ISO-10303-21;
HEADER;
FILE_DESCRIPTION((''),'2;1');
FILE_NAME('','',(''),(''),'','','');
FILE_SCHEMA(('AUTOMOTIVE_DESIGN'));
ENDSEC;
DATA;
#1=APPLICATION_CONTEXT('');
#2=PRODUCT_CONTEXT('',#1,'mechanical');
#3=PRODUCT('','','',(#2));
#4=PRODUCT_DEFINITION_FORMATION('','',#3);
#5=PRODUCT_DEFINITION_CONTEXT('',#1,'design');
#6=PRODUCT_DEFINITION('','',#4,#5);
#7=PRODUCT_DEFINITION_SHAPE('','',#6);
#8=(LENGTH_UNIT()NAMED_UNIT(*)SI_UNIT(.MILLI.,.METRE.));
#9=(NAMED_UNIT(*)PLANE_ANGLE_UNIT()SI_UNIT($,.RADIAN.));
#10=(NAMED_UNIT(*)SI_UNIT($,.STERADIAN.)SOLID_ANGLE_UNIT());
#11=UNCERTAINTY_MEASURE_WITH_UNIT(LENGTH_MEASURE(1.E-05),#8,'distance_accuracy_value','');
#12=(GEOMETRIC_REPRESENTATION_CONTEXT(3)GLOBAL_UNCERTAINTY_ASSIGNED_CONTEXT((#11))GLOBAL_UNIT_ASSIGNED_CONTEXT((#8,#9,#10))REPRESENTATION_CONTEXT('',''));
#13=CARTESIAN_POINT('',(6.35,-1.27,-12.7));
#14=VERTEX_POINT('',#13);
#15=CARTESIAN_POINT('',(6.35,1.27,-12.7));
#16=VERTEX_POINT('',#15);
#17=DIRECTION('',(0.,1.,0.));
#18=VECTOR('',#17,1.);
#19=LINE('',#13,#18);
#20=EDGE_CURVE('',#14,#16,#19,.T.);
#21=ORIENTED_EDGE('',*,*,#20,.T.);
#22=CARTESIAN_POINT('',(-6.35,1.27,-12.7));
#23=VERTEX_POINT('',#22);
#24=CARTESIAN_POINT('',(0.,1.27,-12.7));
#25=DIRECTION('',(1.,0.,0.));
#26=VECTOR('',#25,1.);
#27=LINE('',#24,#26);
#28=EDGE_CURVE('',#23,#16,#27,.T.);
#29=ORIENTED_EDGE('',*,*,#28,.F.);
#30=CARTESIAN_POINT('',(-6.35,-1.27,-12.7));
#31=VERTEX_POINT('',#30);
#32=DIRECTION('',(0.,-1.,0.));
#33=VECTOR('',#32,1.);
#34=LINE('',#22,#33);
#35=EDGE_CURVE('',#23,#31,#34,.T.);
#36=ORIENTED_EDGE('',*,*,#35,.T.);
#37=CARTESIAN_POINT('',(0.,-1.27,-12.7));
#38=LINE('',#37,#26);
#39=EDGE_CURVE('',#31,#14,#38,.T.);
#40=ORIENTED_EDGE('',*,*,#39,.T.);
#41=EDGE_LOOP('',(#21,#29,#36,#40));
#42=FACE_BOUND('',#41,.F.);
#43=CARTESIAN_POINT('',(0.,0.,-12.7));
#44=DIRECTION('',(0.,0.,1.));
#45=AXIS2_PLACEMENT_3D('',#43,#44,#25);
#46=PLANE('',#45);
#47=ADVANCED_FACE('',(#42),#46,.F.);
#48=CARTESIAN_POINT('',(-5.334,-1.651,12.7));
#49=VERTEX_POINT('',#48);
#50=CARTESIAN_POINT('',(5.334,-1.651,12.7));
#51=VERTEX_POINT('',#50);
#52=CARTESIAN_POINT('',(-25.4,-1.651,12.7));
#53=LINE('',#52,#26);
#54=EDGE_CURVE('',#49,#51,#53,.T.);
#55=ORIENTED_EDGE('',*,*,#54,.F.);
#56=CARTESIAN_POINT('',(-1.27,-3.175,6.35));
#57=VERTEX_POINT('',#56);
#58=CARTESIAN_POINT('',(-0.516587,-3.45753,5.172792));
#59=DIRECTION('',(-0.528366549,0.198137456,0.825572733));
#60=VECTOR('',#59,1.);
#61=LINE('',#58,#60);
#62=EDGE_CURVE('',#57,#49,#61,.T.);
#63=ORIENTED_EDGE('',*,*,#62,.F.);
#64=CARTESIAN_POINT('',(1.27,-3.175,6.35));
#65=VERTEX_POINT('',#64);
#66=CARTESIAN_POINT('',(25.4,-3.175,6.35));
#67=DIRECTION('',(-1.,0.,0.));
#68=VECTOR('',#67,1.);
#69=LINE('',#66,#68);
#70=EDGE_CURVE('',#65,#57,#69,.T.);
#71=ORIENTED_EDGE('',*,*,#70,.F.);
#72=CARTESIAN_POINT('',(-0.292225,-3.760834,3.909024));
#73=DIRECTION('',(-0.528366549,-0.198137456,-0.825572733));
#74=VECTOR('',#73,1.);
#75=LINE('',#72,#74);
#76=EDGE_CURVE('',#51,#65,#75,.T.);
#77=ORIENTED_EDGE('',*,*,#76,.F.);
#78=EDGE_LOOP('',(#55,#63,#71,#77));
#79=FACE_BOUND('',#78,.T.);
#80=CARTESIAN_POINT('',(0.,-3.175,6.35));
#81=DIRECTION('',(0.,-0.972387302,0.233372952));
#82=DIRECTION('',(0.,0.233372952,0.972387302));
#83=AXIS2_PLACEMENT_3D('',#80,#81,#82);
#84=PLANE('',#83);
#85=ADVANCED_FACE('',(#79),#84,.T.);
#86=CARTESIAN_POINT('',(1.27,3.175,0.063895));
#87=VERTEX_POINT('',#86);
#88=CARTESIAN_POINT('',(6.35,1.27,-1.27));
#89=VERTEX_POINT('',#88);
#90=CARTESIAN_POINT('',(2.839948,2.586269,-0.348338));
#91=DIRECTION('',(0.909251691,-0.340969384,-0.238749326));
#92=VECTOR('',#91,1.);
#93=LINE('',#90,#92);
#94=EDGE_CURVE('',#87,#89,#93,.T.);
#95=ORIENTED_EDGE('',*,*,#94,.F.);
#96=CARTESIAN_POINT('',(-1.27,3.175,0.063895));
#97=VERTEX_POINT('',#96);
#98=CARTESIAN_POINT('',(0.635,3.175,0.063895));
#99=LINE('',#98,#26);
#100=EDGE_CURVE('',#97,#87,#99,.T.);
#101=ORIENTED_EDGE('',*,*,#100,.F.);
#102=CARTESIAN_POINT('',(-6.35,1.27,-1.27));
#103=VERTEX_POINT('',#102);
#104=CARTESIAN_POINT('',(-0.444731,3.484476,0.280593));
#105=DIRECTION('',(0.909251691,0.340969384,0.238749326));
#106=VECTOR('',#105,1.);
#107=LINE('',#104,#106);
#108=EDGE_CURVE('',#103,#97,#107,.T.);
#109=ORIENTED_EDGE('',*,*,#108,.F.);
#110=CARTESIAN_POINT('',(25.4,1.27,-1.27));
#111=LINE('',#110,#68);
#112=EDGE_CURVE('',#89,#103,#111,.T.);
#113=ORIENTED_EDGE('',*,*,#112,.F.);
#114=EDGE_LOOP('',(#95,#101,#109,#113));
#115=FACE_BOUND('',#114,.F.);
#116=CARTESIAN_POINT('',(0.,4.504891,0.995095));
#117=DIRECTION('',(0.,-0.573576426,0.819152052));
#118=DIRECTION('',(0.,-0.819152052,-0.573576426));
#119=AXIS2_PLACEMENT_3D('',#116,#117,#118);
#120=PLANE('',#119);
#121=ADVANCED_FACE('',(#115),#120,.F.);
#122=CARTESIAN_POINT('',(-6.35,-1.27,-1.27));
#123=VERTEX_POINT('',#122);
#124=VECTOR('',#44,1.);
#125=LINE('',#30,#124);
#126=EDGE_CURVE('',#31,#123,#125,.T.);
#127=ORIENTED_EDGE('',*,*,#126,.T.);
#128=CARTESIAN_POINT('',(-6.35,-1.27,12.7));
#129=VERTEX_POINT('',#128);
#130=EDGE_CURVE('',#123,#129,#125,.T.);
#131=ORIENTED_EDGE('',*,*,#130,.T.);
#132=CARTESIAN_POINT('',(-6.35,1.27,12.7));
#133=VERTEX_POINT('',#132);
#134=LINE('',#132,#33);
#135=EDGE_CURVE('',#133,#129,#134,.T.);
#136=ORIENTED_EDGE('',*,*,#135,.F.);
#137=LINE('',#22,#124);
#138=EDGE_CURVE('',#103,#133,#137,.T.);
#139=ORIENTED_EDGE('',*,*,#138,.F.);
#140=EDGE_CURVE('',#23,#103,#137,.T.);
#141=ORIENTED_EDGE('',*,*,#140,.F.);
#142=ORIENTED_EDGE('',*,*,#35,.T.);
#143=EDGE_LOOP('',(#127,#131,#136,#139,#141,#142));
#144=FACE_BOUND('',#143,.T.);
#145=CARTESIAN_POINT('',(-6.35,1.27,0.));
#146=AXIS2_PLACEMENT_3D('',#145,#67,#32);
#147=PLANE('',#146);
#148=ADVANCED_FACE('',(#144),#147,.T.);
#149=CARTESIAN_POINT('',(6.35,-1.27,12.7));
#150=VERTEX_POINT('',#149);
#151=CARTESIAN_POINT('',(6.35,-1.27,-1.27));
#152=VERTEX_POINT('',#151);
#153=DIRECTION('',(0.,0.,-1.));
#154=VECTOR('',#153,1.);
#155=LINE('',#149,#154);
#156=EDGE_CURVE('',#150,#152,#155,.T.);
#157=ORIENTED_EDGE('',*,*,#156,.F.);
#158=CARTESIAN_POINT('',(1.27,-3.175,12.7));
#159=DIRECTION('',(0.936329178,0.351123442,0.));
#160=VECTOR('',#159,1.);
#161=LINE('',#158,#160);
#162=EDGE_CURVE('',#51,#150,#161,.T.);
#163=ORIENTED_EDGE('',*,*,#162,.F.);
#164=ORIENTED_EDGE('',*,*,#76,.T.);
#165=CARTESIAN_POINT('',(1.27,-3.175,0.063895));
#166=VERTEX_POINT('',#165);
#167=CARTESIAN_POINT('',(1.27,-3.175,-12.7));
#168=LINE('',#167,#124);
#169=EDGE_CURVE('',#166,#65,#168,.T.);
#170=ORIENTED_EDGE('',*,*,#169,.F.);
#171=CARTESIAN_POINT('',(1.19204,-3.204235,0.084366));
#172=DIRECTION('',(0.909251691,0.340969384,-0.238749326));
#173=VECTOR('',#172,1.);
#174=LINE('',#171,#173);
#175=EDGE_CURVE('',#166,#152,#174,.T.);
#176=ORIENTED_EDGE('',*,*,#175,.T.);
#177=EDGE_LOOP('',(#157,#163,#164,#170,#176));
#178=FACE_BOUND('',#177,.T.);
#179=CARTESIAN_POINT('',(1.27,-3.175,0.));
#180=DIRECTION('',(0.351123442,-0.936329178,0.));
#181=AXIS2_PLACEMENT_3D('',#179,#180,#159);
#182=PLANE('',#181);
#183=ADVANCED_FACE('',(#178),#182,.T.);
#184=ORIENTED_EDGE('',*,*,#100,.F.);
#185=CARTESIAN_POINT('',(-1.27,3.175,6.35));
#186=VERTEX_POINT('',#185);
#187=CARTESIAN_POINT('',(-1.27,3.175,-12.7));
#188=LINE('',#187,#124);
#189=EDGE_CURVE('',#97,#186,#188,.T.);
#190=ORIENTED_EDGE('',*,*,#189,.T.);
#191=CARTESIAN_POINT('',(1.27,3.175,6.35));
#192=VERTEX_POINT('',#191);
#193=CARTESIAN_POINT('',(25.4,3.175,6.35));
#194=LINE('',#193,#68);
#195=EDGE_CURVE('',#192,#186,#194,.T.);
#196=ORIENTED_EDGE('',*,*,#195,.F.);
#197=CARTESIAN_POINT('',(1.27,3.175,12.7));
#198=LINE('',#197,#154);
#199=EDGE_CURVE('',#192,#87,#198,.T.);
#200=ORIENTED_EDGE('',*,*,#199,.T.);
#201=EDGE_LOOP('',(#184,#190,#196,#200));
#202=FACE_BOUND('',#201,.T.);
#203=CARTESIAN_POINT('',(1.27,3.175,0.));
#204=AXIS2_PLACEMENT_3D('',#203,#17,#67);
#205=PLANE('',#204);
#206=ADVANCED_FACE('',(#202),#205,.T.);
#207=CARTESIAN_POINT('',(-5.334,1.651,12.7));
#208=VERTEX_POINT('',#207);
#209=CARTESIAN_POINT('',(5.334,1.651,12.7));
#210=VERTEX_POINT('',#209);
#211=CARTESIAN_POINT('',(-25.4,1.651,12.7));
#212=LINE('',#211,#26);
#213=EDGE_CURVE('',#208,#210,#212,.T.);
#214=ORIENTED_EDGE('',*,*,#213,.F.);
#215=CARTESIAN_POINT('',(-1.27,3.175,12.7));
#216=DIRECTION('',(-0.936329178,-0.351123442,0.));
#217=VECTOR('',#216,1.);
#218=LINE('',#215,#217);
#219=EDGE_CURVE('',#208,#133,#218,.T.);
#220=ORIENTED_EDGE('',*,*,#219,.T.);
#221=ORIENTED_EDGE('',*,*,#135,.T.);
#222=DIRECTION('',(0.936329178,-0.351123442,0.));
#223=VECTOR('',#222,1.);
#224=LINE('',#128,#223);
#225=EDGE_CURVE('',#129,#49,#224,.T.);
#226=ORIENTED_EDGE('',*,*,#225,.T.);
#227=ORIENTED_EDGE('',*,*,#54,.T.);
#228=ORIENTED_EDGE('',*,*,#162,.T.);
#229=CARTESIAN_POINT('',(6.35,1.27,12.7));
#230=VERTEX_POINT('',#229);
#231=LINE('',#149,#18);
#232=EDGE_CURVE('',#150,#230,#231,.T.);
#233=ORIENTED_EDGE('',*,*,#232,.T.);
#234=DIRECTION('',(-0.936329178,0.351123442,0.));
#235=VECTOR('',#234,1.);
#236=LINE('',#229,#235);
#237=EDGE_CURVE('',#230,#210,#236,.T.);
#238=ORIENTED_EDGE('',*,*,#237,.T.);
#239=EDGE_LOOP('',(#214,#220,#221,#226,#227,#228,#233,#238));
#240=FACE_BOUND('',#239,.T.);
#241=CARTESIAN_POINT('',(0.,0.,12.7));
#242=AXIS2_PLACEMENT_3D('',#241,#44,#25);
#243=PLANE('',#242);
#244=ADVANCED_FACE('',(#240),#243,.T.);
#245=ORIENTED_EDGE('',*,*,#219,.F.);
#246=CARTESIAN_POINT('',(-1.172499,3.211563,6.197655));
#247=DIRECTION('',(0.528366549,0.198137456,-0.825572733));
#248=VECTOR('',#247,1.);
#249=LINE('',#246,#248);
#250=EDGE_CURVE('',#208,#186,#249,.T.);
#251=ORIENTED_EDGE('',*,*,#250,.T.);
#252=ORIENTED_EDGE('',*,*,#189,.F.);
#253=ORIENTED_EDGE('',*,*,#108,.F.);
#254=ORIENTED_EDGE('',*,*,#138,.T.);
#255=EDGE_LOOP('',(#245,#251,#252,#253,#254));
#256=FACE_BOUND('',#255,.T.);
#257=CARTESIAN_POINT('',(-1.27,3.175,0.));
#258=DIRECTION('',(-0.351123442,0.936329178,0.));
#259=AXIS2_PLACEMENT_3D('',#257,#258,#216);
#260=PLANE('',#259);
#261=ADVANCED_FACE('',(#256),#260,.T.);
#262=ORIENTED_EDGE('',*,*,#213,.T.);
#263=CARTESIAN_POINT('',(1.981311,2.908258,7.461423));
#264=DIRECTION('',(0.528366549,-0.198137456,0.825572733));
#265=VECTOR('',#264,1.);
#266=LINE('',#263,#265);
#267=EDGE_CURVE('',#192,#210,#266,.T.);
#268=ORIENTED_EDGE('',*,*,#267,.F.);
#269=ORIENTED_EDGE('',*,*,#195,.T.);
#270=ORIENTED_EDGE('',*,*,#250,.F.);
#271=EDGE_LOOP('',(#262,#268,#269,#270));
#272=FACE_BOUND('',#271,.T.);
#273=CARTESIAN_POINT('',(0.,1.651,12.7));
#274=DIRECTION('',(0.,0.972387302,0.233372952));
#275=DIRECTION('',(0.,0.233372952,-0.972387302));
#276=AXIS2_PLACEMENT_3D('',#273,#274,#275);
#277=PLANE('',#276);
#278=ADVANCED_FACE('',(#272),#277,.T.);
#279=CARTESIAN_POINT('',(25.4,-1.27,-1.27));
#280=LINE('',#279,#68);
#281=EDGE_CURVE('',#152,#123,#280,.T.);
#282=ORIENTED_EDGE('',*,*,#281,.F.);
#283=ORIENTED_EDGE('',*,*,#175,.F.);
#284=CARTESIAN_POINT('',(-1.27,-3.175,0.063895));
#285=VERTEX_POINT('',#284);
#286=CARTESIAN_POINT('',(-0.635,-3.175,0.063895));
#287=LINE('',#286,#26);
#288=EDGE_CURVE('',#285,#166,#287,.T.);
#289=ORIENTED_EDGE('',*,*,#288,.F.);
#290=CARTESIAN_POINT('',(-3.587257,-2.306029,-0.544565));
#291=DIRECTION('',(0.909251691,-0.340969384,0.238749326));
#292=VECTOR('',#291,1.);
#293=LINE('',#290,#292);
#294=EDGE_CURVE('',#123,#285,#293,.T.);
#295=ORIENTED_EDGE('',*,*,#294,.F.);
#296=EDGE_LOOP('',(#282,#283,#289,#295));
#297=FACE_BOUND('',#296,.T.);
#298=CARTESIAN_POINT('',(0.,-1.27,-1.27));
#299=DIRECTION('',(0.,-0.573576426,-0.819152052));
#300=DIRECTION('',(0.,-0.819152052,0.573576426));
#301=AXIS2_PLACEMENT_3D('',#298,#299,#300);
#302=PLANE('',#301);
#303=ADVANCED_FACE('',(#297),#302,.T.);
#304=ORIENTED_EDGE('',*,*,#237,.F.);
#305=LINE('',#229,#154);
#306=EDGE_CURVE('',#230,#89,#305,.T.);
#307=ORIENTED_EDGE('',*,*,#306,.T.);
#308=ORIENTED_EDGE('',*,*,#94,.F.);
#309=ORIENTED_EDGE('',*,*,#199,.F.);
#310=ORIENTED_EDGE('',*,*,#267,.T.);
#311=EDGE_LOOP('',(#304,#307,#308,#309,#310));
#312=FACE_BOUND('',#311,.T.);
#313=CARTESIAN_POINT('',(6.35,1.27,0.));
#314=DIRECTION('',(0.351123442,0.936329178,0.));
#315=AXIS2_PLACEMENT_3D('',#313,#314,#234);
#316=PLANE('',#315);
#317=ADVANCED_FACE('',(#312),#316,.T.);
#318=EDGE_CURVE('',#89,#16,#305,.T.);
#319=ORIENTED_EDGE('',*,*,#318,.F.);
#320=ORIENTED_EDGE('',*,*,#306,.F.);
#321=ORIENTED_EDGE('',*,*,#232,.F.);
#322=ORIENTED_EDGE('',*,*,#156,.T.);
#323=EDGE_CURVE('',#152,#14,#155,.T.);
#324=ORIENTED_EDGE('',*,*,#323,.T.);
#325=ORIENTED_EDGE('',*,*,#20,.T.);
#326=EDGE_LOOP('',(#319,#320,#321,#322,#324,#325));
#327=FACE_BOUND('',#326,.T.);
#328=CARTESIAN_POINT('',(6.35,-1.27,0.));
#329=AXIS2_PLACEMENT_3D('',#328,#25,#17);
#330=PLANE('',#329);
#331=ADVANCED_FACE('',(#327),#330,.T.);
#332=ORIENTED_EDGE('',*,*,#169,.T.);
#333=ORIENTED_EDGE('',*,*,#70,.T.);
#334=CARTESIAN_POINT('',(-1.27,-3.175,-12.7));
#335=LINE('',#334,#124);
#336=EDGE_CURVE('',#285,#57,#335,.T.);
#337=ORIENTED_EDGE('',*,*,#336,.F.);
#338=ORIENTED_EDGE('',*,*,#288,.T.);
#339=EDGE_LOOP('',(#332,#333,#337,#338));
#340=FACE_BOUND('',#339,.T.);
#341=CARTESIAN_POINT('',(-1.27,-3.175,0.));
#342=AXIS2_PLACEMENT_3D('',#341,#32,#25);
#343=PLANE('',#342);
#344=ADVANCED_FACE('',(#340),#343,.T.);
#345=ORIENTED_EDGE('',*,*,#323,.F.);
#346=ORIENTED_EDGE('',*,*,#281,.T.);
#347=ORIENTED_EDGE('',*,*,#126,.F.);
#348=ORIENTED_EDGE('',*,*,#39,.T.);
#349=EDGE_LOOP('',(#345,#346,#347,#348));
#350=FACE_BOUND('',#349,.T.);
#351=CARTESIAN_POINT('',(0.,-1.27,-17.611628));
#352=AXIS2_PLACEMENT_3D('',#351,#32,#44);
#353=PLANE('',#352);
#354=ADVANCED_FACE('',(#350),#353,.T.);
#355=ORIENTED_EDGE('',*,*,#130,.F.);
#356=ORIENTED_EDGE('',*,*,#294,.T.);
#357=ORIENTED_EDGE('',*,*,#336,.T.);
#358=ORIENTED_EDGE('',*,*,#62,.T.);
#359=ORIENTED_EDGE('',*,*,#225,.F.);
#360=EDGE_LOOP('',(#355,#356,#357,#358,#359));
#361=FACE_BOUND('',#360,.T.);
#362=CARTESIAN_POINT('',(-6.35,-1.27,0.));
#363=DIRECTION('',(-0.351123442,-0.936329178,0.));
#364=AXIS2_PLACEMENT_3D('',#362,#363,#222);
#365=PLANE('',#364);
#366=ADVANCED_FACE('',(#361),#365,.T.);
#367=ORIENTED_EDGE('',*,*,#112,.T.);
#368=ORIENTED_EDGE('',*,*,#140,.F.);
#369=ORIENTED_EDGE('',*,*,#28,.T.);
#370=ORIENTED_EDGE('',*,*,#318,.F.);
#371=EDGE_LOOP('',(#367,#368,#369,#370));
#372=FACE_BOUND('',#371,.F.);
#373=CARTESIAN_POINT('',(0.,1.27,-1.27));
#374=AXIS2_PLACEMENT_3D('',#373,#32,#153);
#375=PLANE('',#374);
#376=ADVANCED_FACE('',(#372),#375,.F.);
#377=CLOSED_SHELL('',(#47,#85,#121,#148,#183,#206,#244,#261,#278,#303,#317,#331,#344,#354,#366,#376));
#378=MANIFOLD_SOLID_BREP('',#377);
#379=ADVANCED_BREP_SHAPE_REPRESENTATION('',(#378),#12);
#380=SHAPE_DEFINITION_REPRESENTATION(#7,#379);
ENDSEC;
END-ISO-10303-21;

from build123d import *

# Parameters (mm, degrees)
F1_DEPTH = 12.7
F3_DEPTH = 25.4


with BuildPart() as f1:
    # F0 (on Top) → F1 (new body, symmetric)
    with BuildSketch(Plane.XY):
        Polygon((1.27, 3.175), (-1.27, 3.175), (-6.35, 1.27), (-6.35, 0), (-6.35, -1.27), (-1.27, -3.175), (1.27, -3.175), (6.35, -1.27), (6.35, 0), (6.35, 1.27), align=None)
    extrude(amount=F1_DEPTH, both=True)

    # F2 (on Right) → F3 (cut, symmetric)
    with BuildSketch(Plane.YZ):
        Polygon((-3.175, 6.35), (-1.651, 12.7), (-3.175, 12.7), align=None)
        Polygon((3.175, 12.7), (1.651, 12.7), (3.175, 6.35), align=None)
        Polygon((-1.27, -1.27), (-4.504891, 0.995095), (-4.504891, -17.611628), (-1.27, -17.611628), align=None)
        Polygon((1.27, -17.611628), (4.504891, -17.611628), (4.504891, 0.995095), (1.27, -1.27), align=None)
    extrude(amount=F3_DEPTH, both=True, mode=Mode.SUBTRACT)


solid = f1.part
